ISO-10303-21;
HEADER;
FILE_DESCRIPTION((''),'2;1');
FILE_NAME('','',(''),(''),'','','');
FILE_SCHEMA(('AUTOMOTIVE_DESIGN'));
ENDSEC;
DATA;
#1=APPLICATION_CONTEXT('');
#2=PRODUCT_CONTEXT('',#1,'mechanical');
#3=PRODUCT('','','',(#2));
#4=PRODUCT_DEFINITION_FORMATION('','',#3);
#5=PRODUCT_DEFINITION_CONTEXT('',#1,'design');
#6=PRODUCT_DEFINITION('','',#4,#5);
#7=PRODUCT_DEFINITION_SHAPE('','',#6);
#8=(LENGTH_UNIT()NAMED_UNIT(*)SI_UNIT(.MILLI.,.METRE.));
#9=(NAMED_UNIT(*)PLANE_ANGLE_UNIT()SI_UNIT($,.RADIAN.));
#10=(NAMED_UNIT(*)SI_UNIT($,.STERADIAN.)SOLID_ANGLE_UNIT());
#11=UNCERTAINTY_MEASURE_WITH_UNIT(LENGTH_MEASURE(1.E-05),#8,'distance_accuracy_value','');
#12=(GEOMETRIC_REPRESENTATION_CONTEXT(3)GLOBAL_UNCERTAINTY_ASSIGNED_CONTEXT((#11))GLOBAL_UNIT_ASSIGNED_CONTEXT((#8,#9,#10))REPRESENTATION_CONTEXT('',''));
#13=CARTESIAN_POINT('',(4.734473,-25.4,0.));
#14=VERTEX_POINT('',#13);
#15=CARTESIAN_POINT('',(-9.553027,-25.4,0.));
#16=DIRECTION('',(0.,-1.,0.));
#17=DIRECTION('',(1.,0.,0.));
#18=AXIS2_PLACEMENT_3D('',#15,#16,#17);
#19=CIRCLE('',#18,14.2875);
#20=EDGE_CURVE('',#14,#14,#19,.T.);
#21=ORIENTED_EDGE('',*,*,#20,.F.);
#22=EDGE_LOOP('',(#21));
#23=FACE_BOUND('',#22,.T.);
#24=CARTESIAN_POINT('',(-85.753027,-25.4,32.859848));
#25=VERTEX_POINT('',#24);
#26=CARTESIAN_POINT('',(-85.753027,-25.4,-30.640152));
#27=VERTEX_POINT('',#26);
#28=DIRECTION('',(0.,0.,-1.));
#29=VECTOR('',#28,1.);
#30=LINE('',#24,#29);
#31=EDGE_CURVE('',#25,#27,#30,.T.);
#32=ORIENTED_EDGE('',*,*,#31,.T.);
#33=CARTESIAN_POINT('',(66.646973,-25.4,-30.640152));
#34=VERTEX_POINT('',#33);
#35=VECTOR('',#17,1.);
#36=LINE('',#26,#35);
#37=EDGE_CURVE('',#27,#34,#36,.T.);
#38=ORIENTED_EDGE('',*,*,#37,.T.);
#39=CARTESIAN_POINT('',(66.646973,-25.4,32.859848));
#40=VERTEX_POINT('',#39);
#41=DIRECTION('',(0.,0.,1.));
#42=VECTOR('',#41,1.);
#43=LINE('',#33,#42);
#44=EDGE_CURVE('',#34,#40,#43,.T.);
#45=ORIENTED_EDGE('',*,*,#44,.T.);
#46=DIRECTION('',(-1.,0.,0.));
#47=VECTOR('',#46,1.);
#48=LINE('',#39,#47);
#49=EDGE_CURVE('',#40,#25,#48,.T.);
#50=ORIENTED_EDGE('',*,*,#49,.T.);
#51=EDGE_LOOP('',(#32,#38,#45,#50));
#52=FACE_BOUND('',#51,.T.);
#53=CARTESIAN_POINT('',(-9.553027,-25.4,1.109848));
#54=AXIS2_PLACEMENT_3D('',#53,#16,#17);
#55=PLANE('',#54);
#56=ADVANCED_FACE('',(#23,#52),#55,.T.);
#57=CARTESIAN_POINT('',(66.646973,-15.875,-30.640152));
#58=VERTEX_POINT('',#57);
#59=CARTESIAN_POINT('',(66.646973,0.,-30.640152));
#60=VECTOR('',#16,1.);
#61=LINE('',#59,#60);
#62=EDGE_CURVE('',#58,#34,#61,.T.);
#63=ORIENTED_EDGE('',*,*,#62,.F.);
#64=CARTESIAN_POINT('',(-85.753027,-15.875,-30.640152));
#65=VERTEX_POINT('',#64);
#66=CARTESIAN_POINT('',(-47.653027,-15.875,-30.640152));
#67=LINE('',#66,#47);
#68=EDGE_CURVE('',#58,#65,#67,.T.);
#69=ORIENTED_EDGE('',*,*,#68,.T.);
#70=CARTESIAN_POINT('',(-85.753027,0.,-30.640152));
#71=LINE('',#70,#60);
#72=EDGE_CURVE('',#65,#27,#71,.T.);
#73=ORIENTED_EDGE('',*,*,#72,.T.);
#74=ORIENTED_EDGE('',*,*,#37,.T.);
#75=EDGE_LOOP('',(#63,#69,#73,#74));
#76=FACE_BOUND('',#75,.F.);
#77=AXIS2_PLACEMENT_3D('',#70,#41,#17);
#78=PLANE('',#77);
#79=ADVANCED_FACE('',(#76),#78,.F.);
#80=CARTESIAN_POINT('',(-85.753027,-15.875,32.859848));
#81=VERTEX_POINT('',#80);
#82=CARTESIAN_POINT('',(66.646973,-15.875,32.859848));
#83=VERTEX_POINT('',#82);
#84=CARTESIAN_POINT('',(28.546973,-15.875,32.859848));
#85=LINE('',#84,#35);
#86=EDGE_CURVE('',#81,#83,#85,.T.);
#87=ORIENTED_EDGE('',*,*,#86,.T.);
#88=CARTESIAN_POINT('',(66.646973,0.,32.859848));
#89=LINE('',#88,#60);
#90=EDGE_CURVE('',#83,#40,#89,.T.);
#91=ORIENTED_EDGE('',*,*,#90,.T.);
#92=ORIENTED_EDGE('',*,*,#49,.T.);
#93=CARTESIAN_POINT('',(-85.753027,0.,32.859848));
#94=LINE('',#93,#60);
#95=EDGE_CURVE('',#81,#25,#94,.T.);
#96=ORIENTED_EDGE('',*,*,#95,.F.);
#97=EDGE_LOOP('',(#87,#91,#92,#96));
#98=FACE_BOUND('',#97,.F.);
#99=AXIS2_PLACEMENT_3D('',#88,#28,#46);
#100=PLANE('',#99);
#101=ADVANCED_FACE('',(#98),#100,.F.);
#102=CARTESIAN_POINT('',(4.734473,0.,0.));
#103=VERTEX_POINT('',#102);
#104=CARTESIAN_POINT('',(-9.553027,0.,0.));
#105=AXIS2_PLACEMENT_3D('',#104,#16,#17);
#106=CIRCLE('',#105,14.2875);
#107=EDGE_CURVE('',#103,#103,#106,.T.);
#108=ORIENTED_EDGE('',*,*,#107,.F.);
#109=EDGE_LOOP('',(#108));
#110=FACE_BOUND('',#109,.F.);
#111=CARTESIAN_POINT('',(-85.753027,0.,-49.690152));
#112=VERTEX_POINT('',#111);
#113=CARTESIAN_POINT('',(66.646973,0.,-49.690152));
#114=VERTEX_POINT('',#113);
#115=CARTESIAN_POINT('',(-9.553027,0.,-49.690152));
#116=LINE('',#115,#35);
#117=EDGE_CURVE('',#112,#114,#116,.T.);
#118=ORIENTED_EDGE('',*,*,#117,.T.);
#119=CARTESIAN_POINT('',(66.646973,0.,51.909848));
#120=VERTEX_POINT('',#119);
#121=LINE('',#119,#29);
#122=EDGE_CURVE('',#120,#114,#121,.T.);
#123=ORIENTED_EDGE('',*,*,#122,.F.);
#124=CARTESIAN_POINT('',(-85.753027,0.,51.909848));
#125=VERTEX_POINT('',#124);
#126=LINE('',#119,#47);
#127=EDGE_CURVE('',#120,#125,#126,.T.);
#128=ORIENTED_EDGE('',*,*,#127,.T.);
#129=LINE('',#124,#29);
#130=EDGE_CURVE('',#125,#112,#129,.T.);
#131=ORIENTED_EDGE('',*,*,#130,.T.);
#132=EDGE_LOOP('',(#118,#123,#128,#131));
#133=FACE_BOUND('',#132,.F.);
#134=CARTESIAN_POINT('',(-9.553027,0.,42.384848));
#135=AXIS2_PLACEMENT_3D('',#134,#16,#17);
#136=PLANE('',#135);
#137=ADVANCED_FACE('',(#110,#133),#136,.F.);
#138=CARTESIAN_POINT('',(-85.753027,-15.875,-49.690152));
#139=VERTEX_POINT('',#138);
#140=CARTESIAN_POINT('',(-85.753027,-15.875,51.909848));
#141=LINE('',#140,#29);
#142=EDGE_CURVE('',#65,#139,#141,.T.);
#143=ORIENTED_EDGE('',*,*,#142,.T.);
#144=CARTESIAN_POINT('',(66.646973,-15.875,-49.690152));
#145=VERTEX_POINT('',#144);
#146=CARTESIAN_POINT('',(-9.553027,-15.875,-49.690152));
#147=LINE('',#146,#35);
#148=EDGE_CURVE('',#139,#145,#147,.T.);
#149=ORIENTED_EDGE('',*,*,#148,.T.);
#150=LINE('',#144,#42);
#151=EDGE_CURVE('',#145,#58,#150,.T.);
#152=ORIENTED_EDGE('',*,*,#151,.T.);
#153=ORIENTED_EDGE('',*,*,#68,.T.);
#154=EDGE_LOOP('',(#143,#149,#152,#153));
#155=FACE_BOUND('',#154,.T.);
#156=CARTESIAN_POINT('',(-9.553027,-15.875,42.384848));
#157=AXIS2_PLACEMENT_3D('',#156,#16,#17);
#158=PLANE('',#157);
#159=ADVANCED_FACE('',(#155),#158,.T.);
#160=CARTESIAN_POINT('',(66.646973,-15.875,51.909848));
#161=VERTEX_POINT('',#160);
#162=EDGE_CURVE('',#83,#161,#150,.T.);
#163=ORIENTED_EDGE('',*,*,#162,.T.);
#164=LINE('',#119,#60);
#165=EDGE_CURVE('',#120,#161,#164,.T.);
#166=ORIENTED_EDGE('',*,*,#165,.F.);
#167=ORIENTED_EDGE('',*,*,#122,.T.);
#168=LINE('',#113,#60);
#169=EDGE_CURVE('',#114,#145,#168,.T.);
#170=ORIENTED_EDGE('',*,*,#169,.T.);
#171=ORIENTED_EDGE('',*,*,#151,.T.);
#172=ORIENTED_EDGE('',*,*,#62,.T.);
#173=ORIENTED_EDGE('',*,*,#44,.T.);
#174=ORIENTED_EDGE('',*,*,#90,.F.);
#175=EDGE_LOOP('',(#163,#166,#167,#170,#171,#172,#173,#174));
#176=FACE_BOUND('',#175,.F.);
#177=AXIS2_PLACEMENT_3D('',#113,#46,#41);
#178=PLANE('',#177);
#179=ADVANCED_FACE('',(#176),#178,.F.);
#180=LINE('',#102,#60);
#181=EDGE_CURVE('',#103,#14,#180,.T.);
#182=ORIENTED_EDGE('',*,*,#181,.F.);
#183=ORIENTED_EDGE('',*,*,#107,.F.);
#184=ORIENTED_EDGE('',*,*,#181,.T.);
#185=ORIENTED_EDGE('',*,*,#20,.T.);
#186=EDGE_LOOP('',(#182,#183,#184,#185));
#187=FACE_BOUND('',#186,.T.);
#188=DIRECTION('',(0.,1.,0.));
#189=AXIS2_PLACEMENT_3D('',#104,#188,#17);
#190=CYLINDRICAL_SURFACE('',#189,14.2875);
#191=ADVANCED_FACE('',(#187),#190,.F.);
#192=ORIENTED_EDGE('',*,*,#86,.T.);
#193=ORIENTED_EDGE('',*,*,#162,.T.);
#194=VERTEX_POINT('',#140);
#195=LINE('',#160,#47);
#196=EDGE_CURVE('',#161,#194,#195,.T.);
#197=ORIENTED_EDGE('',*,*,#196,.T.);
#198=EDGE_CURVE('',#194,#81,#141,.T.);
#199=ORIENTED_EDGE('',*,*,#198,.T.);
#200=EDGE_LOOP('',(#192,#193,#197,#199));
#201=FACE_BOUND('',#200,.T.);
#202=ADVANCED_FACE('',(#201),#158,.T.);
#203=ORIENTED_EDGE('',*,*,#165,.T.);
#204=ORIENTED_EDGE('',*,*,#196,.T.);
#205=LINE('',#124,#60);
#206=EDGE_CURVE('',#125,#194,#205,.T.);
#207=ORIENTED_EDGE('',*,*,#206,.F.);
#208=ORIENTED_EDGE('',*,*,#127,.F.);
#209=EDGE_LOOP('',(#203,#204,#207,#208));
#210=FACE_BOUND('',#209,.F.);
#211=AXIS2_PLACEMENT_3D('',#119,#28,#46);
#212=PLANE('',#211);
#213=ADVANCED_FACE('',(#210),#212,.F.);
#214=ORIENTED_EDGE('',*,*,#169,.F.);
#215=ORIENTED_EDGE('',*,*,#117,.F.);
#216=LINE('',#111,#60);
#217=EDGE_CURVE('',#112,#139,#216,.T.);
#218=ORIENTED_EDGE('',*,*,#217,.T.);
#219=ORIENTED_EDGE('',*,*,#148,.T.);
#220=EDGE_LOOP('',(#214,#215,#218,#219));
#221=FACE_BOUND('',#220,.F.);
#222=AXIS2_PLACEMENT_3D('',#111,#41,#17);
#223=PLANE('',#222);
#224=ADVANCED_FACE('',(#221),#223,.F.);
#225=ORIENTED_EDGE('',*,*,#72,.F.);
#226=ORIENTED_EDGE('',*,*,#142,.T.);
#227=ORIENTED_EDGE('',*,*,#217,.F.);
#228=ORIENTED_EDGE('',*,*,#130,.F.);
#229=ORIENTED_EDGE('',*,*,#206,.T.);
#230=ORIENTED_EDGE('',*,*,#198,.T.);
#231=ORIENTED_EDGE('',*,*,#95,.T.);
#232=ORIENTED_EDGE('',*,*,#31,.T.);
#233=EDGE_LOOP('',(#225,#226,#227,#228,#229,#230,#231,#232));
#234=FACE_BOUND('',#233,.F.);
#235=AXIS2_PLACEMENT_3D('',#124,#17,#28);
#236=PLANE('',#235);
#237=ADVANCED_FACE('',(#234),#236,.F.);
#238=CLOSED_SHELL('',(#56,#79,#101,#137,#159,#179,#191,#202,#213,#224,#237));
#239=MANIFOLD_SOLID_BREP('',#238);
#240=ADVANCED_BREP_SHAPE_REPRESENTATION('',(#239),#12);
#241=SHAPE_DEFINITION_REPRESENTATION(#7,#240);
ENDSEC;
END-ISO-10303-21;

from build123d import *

# Parameters (mm, degrees)
F0_R     = 14.2875
F0_W     = 152.4
F0_H     = 19.05
F1_DEPTH = 15.875
F2_DEPTH = 25.4


with BuildPart() as f1:
    # F0 (on Front) → F1 (new body)
    with BuildSketch(Plane.XZ):
        Polygon((-9.553027, 51.909848), (-85.753027, 51.909848), (-85.753027, 32.859848), (66.646973, 32.859848), (66.646973, 51.909848), align=None)
        Polygon((66.646973, 32.859848), (-85.753027, 32.859848), (-85.753027, -30.640152), (66.646973, -30.640152), (66.646973, 0), align=None)
        with Locations((-9.553027, 0)):
            Circle(F0_R, mode=Mode.SUBTRACT)
        with Locations((-9.553027, -40.165152)):
            Rectangle(F0_W, F0_H)
    extrude(amount=F1_DEPTH)

    # F0 (on Front) → F2 (join)
    with BuildSketch(Plane.XZ):
        Polygon((66.646973, 32.859848), (-85.753027, 32.859848), (-85.753027, -30.640152), (66.646973, -30.640152), (66.646973, 0), align=None)
        with Locations((-9.553027, 0)):
            Circle(F0_R, mode=Mode.SUBTRACT)
    extrude(amount=F2_DEPTH)


solid = f1.part
